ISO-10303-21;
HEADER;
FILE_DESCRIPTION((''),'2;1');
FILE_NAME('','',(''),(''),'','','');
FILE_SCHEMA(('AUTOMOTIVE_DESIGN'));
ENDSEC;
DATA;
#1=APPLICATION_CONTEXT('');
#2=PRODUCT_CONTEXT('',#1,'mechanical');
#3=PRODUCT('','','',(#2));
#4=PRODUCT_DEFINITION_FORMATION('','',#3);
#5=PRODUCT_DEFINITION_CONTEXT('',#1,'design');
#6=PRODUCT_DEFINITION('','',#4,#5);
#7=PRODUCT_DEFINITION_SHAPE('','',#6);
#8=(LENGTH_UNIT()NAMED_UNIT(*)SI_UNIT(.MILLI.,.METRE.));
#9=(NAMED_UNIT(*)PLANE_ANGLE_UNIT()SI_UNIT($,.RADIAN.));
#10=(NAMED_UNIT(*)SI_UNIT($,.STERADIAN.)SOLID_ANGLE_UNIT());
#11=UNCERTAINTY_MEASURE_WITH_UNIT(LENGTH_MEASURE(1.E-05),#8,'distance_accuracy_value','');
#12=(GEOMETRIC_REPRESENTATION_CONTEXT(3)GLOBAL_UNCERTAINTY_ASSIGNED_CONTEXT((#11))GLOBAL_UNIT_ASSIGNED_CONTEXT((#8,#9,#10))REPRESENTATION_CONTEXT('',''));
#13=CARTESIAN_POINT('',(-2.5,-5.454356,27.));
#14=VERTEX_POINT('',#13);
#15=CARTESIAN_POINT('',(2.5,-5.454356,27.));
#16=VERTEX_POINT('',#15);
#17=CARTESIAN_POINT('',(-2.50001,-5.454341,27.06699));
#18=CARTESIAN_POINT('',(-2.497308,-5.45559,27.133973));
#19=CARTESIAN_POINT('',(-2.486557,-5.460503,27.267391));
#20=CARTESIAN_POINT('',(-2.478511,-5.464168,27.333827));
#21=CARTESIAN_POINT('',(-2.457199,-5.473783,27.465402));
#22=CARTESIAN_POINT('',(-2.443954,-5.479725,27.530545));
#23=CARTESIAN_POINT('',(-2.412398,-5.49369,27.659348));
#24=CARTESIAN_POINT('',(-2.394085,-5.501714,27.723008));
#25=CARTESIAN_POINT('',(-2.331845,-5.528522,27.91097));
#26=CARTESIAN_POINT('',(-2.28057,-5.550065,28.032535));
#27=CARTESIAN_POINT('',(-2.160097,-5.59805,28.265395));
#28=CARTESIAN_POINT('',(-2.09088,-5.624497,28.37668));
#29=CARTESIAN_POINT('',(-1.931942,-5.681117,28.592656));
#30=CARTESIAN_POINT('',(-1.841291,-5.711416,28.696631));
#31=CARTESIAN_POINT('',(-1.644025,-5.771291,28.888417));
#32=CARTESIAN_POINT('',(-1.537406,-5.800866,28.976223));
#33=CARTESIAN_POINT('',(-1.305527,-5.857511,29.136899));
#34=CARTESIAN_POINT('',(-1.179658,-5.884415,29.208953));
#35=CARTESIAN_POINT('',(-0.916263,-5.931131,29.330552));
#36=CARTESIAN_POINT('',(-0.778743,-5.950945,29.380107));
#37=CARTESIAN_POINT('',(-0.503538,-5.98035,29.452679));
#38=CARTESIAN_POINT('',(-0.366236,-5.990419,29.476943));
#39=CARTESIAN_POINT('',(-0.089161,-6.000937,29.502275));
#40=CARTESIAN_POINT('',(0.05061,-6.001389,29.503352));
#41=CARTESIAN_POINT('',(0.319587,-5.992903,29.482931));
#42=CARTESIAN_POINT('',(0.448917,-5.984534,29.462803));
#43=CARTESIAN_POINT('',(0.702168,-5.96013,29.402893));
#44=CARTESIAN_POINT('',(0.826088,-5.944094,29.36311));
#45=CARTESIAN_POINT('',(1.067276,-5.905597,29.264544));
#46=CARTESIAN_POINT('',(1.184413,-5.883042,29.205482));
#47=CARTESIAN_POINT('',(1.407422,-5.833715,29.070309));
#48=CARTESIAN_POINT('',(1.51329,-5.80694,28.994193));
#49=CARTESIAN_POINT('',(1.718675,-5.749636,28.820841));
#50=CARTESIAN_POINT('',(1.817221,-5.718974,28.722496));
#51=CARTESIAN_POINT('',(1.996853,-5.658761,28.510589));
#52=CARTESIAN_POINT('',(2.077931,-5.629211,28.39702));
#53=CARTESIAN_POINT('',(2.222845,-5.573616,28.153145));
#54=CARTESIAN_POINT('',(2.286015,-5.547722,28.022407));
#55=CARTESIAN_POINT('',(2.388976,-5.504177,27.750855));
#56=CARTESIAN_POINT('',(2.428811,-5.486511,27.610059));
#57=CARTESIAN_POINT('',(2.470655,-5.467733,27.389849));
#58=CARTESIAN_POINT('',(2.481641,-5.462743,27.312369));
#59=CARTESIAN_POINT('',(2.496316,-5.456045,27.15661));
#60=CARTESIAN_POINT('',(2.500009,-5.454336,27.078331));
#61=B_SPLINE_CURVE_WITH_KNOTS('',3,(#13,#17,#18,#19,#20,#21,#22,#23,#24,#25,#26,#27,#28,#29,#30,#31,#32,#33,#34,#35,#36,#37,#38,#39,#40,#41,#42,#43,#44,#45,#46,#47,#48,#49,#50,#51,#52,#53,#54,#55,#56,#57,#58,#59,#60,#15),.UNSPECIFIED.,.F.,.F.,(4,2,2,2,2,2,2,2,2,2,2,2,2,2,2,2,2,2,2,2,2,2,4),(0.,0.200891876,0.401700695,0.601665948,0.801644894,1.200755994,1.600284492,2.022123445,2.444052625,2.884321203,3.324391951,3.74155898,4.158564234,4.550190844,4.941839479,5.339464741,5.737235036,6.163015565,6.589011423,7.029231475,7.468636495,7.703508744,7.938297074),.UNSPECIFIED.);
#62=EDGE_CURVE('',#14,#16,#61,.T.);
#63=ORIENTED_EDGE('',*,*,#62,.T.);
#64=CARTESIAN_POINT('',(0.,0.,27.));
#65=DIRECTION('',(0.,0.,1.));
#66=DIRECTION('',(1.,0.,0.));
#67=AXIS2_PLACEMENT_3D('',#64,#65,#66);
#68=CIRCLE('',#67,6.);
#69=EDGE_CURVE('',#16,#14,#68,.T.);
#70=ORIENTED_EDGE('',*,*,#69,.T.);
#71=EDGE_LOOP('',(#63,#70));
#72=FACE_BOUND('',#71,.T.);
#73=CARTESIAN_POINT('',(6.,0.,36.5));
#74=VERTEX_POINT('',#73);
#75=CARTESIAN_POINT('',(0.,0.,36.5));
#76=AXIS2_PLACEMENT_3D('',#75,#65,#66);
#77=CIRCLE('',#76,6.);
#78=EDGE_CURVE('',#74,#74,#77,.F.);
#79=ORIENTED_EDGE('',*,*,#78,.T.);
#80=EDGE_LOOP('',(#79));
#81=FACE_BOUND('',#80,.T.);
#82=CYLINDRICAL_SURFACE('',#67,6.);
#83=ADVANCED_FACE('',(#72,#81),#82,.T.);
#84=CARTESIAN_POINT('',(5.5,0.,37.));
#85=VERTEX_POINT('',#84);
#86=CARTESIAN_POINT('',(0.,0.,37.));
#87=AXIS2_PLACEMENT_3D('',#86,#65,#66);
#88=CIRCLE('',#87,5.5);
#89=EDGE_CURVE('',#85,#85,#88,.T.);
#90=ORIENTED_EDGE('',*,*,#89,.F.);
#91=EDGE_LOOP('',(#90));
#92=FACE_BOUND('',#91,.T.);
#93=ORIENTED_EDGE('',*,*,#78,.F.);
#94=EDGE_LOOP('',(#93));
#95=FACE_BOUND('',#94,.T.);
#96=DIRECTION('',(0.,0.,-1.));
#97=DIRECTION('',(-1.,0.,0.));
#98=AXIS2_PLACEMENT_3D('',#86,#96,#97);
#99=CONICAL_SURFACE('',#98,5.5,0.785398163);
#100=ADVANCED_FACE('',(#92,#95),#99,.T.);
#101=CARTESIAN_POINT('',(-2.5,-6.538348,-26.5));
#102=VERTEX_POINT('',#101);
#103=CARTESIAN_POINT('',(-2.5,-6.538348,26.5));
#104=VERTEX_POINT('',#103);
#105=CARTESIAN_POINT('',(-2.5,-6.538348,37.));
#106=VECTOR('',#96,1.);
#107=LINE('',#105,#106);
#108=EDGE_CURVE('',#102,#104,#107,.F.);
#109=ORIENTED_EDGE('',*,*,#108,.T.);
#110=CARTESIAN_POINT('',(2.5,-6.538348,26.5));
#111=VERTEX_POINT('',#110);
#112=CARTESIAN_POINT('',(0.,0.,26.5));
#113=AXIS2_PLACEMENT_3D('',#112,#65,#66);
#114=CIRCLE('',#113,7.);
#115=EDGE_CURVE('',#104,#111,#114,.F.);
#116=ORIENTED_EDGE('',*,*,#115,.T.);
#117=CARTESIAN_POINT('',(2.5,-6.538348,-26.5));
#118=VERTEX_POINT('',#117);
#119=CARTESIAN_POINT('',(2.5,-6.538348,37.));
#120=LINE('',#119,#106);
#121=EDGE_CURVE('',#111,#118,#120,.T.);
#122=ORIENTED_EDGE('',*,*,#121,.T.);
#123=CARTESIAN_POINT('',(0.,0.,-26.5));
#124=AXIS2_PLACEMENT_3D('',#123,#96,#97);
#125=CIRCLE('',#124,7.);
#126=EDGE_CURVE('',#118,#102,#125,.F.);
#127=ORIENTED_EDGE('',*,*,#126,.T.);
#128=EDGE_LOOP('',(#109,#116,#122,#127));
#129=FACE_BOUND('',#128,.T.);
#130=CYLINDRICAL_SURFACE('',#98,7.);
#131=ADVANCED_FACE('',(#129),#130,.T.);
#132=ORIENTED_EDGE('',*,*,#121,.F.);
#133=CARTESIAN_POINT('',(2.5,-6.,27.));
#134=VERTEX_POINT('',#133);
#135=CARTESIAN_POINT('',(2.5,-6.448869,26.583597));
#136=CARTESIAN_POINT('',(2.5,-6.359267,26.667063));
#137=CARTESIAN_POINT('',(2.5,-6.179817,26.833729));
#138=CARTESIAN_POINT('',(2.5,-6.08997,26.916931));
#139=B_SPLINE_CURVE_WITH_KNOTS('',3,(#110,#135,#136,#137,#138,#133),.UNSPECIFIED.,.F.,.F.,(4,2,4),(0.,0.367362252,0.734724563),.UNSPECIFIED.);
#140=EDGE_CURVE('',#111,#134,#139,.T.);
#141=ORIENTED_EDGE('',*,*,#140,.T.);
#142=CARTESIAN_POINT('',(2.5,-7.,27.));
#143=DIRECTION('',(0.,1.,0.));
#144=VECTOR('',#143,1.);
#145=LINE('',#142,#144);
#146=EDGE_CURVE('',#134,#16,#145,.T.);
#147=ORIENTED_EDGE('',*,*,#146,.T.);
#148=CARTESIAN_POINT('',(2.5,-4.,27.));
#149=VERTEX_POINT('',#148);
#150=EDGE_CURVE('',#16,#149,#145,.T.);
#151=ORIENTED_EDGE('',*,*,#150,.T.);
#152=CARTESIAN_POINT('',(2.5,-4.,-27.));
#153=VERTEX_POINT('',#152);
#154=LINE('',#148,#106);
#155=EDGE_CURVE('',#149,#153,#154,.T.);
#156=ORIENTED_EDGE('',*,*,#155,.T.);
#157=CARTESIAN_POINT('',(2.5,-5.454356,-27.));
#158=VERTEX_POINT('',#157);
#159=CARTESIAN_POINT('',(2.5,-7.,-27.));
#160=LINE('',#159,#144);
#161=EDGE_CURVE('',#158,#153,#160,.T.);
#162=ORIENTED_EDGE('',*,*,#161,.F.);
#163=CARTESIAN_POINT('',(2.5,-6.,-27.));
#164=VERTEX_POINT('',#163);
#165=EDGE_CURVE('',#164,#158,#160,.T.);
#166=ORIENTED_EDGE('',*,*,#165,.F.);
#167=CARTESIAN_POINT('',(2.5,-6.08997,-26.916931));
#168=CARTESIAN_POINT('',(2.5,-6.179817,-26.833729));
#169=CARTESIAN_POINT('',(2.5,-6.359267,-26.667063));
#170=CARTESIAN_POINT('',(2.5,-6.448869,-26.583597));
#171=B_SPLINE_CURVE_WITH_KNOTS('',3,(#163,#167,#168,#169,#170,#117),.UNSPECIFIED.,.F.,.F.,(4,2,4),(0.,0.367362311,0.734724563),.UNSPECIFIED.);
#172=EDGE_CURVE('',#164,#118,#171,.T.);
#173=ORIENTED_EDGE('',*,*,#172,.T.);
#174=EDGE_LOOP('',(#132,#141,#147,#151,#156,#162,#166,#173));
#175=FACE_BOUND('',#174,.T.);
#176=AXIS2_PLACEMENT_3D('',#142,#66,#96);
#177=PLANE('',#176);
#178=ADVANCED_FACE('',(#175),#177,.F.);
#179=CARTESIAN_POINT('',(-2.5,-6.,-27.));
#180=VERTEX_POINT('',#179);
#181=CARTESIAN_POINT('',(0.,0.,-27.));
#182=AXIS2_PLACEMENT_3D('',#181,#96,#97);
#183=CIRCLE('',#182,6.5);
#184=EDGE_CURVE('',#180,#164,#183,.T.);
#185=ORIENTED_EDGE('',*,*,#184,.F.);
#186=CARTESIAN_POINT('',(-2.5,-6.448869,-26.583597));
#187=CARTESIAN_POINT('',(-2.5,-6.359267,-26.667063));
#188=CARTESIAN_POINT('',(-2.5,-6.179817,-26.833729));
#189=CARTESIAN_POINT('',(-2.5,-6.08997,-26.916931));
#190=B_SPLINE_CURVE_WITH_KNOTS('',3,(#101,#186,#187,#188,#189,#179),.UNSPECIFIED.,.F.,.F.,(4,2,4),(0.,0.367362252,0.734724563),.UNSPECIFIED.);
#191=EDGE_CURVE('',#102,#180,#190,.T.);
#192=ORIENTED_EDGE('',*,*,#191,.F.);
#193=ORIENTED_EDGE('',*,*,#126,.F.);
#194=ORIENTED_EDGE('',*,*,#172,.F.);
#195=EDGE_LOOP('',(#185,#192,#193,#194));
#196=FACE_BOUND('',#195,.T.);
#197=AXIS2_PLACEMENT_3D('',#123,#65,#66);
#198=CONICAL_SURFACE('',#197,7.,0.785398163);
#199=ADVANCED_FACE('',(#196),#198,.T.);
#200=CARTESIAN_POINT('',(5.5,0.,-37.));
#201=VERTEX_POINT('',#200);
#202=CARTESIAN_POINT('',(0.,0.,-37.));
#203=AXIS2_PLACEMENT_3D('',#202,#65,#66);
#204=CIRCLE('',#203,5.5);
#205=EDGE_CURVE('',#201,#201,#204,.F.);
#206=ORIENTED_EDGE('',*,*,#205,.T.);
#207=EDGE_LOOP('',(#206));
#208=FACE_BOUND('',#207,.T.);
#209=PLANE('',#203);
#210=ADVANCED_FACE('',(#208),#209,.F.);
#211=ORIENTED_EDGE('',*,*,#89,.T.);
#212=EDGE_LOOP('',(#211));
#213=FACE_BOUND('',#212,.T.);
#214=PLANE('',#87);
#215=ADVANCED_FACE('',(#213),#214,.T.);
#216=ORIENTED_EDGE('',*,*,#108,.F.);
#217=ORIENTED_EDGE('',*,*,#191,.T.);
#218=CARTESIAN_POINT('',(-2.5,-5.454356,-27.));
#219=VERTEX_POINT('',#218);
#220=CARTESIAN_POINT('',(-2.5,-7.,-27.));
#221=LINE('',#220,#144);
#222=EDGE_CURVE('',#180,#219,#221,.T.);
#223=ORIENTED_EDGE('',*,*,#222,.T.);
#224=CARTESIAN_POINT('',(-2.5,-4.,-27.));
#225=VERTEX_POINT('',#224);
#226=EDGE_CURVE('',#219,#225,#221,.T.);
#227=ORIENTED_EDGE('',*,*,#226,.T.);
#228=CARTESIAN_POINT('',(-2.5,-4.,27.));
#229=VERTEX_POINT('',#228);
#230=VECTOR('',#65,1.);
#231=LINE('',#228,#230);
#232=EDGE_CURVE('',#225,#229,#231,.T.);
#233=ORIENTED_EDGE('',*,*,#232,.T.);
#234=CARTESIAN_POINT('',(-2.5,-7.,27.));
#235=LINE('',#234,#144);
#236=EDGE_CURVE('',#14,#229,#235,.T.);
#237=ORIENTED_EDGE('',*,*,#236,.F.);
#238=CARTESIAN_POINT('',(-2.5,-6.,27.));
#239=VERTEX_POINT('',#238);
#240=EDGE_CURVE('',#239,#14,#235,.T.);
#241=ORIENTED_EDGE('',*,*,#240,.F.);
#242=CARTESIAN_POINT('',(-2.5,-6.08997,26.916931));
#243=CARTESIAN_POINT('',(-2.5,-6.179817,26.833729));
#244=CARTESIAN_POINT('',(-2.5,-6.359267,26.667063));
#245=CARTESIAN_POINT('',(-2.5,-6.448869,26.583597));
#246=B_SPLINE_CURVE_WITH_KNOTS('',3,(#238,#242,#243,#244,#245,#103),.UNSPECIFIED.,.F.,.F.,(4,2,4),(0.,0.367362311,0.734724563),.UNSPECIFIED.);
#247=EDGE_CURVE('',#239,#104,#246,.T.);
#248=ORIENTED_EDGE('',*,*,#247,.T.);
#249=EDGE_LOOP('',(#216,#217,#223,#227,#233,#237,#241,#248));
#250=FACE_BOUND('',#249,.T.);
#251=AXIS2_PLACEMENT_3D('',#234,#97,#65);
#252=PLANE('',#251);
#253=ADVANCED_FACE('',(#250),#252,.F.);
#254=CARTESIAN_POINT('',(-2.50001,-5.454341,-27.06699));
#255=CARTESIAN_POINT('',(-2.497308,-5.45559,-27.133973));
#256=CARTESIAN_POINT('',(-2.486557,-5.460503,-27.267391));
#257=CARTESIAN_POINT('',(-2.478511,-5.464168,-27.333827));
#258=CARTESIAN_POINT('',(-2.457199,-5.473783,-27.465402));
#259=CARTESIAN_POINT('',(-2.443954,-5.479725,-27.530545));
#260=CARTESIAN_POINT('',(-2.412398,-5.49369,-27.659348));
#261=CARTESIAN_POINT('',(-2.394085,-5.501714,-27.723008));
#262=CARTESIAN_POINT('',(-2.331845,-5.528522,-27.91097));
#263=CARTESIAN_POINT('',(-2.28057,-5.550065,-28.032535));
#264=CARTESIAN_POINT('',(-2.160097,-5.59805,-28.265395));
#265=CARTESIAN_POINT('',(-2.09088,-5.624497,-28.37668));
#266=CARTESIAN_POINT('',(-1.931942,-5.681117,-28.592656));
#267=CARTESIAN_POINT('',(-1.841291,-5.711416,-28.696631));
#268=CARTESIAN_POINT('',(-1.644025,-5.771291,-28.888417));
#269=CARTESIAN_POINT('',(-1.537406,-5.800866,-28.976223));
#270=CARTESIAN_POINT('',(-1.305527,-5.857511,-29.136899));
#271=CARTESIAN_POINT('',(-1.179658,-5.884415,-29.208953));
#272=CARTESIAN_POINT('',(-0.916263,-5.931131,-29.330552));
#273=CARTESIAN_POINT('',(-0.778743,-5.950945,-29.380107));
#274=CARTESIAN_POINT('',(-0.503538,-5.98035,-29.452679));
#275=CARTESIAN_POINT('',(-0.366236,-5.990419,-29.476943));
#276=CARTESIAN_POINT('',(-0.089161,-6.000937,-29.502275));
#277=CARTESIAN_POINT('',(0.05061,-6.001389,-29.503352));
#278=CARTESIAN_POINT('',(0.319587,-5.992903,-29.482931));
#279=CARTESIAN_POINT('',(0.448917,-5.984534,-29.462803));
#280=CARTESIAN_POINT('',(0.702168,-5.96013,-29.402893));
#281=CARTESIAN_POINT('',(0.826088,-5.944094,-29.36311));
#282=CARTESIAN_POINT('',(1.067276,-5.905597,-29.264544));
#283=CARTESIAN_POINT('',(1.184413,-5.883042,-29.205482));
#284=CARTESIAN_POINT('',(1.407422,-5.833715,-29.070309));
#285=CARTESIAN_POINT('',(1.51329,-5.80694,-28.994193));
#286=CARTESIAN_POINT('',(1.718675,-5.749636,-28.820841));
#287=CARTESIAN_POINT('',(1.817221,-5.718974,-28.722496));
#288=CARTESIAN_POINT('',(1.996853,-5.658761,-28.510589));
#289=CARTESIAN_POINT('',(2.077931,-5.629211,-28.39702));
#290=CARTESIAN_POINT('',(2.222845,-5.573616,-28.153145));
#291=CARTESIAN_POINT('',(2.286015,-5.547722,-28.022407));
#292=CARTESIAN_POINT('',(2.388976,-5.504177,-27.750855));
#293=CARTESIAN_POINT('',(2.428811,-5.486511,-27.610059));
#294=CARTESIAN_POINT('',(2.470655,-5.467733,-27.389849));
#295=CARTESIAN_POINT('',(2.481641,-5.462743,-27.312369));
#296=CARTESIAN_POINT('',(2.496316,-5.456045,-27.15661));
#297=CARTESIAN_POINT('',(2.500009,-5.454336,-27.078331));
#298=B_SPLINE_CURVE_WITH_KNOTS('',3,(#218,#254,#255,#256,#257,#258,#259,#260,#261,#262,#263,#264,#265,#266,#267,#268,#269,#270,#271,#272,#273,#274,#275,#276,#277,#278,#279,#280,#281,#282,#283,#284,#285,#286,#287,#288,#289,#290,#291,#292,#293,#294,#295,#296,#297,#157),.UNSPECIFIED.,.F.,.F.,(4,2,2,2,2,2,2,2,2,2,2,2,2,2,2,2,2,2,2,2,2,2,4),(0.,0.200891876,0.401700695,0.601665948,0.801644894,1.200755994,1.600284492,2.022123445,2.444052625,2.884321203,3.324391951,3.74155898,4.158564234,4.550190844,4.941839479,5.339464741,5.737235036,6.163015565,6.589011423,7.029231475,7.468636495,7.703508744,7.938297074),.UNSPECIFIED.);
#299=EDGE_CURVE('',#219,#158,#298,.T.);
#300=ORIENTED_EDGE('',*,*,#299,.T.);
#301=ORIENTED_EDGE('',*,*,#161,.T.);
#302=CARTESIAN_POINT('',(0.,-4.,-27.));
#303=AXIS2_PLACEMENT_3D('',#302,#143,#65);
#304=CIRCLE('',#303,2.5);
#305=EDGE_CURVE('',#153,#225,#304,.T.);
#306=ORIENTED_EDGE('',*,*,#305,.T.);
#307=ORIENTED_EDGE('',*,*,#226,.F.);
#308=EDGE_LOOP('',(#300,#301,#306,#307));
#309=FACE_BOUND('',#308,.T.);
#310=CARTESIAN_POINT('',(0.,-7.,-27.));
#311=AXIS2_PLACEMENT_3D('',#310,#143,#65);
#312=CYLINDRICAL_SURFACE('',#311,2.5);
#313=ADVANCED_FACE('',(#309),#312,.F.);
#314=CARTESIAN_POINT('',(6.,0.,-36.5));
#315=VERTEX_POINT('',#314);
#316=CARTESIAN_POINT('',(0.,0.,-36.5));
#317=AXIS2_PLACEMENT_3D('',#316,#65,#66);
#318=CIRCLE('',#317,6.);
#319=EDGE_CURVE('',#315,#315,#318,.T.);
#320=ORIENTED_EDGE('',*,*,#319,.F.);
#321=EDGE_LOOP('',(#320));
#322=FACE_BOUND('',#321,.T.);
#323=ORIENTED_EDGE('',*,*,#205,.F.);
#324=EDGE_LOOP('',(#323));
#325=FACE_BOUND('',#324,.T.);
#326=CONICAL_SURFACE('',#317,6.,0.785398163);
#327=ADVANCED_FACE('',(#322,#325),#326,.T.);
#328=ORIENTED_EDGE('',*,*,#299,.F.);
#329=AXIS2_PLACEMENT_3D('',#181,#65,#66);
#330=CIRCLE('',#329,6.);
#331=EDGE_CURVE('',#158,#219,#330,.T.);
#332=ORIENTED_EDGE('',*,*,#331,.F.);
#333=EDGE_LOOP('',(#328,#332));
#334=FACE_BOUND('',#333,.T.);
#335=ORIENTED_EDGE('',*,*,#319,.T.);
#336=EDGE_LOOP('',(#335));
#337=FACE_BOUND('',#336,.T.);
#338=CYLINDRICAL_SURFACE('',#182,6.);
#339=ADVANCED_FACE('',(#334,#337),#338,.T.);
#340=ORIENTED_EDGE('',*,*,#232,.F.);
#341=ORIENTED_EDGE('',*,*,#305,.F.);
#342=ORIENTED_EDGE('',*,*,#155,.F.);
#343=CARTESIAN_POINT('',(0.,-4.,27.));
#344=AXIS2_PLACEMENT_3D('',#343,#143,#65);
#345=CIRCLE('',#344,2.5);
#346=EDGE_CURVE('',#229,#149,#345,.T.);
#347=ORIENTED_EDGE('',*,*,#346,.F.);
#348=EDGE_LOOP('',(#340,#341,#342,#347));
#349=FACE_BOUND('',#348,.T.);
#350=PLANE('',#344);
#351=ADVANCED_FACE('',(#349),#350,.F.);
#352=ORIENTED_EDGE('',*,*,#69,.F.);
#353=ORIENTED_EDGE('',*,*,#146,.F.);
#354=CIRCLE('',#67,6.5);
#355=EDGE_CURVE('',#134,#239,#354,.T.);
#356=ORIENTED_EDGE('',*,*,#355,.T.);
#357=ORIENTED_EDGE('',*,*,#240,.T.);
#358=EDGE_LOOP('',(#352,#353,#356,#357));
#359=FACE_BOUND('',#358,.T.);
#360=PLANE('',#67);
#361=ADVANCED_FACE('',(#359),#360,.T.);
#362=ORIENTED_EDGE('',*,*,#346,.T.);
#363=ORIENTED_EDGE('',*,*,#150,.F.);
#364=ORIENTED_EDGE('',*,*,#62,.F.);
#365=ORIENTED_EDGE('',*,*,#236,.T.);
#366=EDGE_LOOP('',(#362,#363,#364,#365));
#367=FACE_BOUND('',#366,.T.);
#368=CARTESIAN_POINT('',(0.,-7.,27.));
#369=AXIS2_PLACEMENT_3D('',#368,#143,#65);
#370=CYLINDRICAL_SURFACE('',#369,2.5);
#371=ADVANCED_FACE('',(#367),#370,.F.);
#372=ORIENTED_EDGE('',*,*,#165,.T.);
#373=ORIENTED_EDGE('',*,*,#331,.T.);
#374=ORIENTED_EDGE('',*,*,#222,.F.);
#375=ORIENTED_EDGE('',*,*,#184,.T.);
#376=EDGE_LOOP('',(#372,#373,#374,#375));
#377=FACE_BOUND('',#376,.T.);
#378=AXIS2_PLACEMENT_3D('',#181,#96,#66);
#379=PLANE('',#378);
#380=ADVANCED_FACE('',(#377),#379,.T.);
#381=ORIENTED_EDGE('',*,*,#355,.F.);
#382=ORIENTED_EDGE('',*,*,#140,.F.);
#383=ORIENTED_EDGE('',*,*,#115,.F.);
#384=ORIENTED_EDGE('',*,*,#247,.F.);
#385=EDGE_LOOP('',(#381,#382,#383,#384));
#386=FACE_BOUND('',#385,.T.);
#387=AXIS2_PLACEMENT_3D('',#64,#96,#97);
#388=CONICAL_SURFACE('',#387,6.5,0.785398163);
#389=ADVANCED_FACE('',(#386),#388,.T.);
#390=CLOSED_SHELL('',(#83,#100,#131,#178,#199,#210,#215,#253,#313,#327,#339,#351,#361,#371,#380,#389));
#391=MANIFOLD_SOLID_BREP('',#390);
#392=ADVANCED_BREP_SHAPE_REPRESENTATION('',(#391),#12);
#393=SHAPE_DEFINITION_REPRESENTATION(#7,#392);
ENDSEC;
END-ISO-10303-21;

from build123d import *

# Parameters (mm, degrees)
SKETCH1_R      = 7
EXTRUDE1_DEPTH = 37
EXTRUDE3_START = -4
EXTRUDE3_DEPTH = 35.301436004
SKETCH4_R      = 7
SKETCH4_R_2    = 6
EXTRUDE4_DEPTH = 10
CHAMFER1_SIZE  = 0.5


with BuildPart() as part:
    # Sketch1 → Extrude1 (new, symmetric)
    with BuildSketch(Plane.XY):
        Circle(SKETCH1_R)
    extrude(amount=EXTRUDE1_DEPTH, both=True)

    # Sketch3 → Extrude3 (cut, through all)
    with BuildSketch(Plane(origin=(0, 0, 0), x_dir=(1, 0, 0), z_dir=(0, 1, 0)).offset(EXTRUDE3_START)):
        with BuildLine():
            Line((-2.5, -27), (-2.5, 27))
            ThreePointArc((-2.5, 27), (0, 29.5), (2.5, 27))
            Line((2.5, 27), (2.5, -27))
            ThreePointArc((2.5, -27), (0, -29.5), (-2.5, -27))
        make_face()
    extrude(amount=-EXTRUDE3_DEPTH, mode=Mode.SUBTRACT)

    # Sketch4 → Extrude4 (cut)
    with BuildSketch(Plane.XY.offset(37)):
        with Locations(Location((0, 0, 0), (0, 0, 249.075167572))):
            Circle(SKETCH4_R)
        Circle(SKETCH4_R_2, mode=Mode.SUBTRACT)
    extrude4 = extrude(amount=-EXTRUDE4_DEPTH, mode=Mode.SUBTRACT)

    # Mirror1: Extrude4 across plane
    add(extrude4.mirror(Plane.XY), mode=Mode.SUBTRACT)

    # Chamfer1
    chamfer1_edges = [part.edges().sort_by_distance(p)[0] for p in [
        (0, 7, 27),
        (-6, 0, 37),
        (0, 7, -27),
        (-6, 0, -37),
    ]]
    chamfer(chamfer1_edges, length=CHAMFER1_SIZE)


solid = part.part
